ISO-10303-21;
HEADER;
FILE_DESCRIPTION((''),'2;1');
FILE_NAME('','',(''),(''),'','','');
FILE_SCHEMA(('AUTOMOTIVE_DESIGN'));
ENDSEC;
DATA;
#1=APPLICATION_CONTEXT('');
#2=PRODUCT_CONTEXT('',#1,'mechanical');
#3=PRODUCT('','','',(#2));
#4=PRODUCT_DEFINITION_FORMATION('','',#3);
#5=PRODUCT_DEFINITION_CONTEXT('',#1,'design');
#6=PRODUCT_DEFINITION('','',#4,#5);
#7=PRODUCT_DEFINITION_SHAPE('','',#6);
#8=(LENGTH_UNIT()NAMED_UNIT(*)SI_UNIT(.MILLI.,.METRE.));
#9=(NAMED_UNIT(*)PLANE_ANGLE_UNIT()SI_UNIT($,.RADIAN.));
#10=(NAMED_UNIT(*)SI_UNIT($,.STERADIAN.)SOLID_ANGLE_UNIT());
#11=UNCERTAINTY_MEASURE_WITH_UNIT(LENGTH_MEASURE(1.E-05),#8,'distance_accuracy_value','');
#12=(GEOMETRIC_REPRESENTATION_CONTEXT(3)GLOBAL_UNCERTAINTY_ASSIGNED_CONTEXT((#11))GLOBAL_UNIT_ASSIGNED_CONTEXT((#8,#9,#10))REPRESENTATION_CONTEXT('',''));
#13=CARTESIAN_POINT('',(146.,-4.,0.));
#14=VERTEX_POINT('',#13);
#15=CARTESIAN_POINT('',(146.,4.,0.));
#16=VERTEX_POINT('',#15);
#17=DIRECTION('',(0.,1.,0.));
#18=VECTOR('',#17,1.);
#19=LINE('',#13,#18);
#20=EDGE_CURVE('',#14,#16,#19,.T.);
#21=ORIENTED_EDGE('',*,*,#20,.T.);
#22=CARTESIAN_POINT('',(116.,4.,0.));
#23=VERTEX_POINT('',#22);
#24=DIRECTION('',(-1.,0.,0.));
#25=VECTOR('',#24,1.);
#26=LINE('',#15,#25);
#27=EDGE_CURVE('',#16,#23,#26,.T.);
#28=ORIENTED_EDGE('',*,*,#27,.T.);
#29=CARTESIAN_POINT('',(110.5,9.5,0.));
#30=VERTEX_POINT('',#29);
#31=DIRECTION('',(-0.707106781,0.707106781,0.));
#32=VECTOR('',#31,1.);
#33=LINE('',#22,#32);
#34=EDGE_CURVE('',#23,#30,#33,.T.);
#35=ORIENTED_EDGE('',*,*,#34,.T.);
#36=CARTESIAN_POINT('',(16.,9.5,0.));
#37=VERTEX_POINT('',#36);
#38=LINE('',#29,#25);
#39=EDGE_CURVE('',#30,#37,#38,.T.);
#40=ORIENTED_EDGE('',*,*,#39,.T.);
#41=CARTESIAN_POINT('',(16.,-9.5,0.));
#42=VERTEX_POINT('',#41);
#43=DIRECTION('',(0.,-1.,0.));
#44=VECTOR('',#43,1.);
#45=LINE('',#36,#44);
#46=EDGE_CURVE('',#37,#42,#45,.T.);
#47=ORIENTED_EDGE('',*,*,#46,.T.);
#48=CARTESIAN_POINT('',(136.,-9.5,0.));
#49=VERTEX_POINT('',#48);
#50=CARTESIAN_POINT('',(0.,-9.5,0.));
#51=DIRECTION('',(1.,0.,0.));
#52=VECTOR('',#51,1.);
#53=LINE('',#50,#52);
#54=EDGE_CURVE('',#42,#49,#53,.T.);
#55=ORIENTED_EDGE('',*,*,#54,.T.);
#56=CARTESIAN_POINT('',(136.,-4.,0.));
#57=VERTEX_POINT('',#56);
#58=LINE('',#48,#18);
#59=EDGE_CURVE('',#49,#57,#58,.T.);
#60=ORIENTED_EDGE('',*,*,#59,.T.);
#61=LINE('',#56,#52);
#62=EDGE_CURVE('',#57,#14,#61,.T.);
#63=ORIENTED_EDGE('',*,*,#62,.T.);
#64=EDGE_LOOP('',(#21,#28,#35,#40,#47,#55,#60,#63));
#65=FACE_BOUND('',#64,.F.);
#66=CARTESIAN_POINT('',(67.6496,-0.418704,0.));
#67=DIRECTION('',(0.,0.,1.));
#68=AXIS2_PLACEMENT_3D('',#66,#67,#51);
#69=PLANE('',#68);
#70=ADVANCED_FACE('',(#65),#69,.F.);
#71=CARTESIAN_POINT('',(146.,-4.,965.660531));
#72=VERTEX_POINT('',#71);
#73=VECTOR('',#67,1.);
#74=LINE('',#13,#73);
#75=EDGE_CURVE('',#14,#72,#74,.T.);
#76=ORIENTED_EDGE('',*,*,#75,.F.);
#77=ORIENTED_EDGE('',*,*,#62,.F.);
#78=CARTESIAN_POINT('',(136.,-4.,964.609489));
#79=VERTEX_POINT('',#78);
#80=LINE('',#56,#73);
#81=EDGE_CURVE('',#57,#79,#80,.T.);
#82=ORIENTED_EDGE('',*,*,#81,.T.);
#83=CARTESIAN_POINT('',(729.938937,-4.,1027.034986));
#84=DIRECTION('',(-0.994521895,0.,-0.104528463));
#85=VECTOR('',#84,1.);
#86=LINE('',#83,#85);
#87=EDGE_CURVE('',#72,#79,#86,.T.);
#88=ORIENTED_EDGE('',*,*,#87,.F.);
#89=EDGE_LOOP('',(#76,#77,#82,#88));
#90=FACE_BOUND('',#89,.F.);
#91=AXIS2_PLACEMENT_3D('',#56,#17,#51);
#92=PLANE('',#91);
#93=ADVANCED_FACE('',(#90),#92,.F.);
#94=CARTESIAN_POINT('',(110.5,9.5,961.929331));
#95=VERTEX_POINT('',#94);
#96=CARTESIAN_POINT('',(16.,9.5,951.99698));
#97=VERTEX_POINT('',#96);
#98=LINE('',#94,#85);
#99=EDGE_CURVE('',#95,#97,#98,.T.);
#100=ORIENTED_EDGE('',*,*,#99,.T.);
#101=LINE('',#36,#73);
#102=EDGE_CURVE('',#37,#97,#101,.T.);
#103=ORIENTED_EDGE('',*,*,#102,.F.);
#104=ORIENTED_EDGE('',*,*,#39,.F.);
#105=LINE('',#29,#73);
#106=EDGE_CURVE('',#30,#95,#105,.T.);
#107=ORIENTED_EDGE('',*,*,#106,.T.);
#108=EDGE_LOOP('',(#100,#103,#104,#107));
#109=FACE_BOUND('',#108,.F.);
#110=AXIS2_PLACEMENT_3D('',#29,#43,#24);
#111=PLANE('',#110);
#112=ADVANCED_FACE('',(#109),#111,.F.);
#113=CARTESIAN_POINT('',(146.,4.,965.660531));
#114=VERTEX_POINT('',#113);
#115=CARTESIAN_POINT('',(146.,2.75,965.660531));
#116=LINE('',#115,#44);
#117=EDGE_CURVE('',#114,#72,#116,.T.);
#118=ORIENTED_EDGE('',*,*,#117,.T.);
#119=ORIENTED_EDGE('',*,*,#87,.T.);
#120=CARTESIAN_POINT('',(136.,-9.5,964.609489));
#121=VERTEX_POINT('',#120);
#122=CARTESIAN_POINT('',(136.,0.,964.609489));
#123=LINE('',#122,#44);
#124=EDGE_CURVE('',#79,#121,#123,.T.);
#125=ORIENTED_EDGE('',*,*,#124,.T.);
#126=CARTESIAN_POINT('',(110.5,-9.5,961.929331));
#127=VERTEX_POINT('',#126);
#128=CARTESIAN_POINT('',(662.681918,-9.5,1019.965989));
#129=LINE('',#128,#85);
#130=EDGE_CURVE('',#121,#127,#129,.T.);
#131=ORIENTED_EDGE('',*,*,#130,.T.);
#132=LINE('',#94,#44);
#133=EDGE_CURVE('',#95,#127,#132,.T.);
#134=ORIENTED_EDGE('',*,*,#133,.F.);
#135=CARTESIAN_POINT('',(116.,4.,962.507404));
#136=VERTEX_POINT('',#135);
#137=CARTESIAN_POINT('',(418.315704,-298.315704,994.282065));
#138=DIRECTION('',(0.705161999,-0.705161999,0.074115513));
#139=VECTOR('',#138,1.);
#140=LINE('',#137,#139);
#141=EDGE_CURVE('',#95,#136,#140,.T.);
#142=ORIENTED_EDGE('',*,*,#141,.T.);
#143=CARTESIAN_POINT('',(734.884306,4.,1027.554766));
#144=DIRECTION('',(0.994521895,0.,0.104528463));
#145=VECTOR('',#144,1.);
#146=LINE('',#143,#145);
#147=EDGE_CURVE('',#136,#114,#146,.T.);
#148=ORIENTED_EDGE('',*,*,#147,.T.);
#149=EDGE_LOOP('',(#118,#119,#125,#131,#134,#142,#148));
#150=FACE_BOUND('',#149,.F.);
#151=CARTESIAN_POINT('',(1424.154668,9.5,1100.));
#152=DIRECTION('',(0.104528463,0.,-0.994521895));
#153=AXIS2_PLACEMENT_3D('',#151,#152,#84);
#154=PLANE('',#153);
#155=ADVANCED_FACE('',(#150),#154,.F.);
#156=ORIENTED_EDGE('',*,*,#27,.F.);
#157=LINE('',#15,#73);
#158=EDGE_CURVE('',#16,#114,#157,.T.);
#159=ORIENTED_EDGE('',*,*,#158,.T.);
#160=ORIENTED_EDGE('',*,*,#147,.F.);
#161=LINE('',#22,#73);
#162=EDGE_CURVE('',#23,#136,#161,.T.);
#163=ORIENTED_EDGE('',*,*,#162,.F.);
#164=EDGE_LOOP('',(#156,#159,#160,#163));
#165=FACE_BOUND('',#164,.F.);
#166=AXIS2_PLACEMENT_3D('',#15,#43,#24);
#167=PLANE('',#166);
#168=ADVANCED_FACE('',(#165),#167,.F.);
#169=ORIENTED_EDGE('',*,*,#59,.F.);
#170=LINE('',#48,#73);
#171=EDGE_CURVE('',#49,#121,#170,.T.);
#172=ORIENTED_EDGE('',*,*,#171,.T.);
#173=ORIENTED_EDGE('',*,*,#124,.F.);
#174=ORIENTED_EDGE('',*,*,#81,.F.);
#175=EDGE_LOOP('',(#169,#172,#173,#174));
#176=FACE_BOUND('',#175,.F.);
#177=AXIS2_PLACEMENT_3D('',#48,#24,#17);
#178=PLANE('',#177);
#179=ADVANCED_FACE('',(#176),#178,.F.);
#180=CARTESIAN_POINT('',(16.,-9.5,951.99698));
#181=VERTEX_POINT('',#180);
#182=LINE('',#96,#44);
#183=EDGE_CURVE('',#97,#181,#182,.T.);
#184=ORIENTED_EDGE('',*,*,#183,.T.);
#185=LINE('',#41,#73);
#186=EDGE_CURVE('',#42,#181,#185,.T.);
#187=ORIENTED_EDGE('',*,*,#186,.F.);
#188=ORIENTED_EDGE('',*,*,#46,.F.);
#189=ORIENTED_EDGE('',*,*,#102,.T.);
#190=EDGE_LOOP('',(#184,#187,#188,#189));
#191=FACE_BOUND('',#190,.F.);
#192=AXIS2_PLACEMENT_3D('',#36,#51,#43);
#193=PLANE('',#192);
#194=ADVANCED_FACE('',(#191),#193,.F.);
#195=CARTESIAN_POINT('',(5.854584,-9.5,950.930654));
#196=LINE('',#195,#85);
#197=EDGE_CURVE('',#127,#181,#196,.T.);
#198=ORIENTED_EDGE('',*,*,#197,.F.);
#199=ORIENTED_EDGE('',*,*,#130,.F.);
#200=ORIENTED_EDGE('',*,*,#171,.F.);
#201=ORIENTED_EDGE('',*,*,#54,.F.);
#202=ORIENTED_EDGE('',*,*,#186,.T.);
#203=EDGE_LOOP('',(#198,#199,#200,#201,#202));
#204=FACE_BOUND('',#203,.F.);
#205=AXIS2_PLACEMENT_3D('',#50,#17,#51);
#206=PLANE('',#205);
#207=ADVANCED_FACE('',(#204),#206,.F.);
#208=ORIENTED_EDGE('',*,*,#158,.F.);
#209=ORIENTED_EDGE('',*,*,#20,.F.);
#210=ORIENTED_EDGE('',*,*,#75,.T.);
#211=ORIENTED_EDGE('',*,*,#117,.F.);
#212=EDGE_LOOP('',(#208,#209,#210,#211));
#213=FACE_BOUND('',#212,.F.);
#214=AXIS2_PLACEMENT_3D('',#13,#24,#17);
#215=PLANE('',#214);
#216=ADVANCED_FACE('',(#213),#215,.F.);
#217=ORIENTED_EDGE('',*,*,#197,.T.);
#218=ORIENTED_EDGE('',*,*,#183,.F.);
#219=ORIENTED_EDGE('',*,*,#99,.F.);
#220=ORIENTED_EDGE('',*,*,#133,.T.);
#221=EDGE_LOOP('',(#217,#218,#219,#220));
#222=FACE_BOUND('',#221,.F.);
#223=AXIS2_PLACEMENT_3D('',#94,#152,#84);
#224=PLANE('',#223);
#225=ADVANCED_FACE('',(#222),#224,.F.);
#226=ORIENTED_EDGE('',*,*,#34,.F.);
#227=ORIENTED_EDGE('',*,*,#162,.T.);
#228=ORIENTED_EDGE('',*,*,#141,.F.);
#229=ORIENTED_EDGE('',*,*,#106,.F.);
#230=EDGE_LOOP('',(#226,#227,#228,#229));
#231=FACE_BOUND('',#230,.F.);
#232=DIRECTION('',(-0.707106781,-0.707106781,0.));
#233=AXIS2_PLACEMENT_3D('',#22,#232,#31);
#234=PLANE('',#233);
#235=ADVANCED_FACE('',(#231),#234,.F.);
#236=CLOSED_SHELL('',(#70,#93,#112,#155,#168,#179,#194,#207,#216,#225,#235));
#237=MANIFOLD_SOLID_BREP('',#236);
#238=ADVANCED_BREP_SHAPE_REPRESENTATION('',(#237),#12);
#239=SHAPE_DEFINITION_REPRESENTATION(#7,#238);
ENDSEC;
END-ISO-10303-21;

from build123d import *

# Parameters (mm, degrees)
F1_DEPTH = 1100
F3_DEPTH = 1100.001
F5_DEPTH = 19.001


with BuildPart() as f1:
    # F0 (on Top) → F1 (new body)
    with BuildSketch(Plane.XY):
        Polygon((0, -4), (0, -9.5), (136, -9.5), (136, -4), (146, -4), (146, 4), (116, 4), (110.5, 9.5), (0, 9.5), (0, 4), (12, 4), (12, -4), align=None)
    extrude(amount=F1_DEPTH)

    # F2 (on face) → F3 (cut, through all)
    with BuildSketch(Plane(origin=(0, 0, 0), x_dir=(1, 0, 0), z_dir=(0, 0, -1))):
        Polygon((0, -9.5), (16, -9.5), (16, 9.5), (0, 9.5), (0, 4), (12, 4), (12, -4), (0, -4), align=None)
    extrude(amount=-F3_DEPTH, mode=Mode.SUBTRACT)

    # F4 (on face) → F5 (cut, through all)
    with BuildSketch(Plane(origin=(0, 9.5, 0), x_dir=(-1, 0, 0), z_dir=(0, 1, 0))):
        Polygon((-110.5, 1100), (-1424.1546681334, 1100), (-110.5, 961.9293307027), align=None)
        Polygon((-16, 1100), (-16, 951.99698047), (3, 950), (3, 1100), align=None)
        Polygon((-110.5, 1100), (-110.5, 961.9293307027), (-16, 951.99698047), (-16, 1100), align=None)
    extrude(amount=-F5_DEPTH, mode=Mode.SUBTRACT)


solid = f1.part
